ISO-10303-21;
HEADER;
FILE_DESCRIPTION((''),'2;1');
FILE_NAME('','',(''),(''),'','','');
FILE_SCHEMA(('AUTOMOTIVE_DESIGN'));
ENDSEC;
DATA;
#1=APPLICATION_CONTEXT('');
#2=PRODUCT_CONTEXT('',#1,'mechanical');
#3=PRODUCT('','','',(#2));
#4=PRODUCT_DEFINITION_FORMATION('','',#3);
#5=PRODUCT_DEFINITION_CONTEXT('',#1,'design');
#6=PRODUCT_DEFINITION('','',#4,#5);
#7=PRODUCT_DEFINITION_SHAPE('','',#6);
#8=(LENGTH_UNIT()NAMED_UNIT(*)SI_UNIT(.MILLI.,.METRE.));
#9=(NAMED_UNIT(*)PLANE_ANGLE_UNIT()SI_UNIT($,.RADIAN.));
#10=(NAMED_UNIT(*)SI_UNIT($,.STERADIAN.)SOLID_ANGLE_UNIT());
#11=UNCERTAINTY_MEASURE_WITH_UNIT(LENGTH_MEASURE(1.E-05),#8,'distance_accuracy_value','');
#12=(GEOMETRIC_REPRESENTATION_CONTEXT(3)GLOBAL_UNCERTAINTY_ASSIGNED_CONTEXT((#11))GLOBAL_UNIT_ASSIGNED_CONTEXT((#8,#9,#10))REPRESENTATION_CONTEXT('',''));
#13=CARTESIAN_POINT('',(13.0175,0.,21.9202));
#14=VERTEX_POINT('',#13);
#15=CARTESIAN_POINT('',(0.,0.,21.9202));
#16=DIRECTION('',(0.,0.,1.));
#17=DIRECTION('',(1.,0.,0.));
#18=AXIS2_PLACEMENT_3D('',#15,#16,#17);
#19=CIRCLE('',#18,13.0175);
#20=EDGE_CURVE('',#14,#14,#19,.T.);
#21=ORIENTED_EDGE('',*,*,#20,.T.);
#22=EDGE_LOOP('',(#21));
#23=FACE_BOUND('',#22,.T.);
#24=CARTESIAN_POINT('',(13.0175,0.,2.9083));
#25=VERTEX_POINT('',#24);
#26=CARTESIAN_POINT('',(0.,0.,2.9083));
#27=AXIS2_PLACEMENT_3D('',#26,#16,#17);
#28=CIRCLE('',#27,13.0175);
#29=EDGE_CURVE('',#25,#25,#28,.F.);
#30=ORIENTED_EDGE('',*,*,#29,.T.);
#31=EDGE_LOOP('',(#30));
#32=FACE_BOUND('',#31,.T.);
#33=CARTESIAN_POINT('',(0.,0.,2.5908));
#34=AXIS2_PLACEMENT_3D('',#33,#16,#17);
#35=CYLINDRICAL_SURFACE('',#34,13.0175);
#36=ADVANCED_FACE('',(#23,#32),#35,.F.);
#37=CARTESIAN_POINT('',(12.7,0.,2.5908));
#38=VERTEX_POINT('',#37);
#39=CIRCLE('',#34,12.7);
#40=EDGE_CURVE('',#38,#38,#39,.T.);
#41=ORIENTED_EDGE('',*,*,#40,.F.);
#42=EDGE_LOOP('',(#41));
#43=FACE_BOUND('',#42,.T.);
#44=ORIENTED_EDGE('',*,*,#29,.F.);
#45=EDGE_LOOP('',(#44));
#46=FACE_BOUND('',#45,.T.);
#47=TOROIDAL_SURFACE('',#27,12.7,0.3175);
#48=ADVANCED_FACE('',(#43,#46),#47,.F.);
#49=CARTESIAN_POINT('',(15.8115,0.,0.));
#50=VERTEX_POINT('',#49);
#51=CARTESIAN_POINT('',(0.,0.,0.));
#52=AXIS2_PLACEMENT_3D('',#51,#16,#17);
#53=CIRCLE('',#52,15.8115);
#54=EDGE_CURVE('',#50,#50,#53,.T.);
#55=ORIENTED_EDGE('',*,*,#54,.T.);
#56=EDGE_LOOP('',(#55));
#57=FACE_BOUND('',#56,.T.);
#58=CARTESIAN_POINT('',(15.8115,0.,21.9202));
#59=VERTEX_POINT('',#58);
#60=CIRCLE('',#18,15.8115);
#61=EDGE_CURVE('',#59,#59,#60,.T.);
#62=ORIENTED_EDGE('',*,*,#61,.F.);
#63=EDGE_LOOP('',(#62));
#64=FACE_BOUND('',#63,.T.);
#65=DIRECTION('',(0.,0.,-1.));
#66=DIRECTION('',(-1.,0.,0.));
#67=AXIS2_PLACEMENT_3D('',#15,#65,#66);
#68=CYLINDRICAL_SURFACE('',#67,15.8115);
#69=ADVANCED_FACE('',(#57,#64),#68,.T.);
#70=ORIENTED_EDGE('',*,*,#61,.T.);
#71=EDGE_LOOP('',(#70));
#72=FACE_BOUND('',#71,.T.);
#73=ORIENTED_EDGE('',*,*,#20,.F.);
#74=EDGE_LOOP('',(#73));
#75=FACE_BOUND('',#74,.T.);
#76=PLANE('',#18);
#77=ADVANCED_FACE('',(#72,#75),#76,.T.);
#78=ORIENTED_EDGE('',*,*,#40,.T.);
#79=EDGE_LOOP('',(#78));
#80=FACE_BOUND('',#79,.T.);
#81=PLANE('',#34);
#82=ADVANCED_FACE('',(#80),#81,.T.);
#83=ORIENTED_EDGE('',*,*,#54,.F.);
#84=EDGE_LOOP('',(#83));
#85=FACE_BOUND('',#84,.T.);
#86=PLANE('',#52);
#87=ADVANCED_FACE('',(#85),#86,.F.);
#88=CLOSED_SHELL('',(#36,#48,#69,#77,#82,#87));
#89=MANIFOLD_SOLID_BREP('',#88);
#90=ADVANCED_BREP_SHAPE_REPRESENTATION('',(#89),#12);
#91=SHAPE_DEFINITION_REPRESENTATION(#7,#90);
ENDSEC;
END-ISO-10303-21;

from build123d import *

# Parameters (mm, degrees)
SKETCH1_R           = 15.8115
BOSS_EXTRUDE1_DEPTH = 21.9202
SKETCH2_R           = 13.0175
CUT_EXTRUDE1_DEPTH  = 19.3294
FILLET1_R           = 0.3175


with BuildPart() as part:
    # Sketch1 → Boss-Extrude1 (new body)
    with BuildSketch(Plane.XY):
        Circle(SKETCH1_R)
    extrude(amount=BOSS_EXTRUDE1_DEPTH)

    # Sketch2 → Cut-Extrude1 (cut)
    with BuildSketch(Plane.XY.offset(21.9202)):
        Circle(SKETCH2_R)
    extrude(amount=-CUT_EXTRUDE1_DEPTH, mode=Mode.SUBTRACT)

    # Fillet1
    fillet1_edges = [part.edges().sort_by_distance(p)[0] for p in [
        (-13.0175, 0, 2.5908),
    ]]
    fillet(fillet1_edges, radius=FILLET1_R)


solid = part.part
